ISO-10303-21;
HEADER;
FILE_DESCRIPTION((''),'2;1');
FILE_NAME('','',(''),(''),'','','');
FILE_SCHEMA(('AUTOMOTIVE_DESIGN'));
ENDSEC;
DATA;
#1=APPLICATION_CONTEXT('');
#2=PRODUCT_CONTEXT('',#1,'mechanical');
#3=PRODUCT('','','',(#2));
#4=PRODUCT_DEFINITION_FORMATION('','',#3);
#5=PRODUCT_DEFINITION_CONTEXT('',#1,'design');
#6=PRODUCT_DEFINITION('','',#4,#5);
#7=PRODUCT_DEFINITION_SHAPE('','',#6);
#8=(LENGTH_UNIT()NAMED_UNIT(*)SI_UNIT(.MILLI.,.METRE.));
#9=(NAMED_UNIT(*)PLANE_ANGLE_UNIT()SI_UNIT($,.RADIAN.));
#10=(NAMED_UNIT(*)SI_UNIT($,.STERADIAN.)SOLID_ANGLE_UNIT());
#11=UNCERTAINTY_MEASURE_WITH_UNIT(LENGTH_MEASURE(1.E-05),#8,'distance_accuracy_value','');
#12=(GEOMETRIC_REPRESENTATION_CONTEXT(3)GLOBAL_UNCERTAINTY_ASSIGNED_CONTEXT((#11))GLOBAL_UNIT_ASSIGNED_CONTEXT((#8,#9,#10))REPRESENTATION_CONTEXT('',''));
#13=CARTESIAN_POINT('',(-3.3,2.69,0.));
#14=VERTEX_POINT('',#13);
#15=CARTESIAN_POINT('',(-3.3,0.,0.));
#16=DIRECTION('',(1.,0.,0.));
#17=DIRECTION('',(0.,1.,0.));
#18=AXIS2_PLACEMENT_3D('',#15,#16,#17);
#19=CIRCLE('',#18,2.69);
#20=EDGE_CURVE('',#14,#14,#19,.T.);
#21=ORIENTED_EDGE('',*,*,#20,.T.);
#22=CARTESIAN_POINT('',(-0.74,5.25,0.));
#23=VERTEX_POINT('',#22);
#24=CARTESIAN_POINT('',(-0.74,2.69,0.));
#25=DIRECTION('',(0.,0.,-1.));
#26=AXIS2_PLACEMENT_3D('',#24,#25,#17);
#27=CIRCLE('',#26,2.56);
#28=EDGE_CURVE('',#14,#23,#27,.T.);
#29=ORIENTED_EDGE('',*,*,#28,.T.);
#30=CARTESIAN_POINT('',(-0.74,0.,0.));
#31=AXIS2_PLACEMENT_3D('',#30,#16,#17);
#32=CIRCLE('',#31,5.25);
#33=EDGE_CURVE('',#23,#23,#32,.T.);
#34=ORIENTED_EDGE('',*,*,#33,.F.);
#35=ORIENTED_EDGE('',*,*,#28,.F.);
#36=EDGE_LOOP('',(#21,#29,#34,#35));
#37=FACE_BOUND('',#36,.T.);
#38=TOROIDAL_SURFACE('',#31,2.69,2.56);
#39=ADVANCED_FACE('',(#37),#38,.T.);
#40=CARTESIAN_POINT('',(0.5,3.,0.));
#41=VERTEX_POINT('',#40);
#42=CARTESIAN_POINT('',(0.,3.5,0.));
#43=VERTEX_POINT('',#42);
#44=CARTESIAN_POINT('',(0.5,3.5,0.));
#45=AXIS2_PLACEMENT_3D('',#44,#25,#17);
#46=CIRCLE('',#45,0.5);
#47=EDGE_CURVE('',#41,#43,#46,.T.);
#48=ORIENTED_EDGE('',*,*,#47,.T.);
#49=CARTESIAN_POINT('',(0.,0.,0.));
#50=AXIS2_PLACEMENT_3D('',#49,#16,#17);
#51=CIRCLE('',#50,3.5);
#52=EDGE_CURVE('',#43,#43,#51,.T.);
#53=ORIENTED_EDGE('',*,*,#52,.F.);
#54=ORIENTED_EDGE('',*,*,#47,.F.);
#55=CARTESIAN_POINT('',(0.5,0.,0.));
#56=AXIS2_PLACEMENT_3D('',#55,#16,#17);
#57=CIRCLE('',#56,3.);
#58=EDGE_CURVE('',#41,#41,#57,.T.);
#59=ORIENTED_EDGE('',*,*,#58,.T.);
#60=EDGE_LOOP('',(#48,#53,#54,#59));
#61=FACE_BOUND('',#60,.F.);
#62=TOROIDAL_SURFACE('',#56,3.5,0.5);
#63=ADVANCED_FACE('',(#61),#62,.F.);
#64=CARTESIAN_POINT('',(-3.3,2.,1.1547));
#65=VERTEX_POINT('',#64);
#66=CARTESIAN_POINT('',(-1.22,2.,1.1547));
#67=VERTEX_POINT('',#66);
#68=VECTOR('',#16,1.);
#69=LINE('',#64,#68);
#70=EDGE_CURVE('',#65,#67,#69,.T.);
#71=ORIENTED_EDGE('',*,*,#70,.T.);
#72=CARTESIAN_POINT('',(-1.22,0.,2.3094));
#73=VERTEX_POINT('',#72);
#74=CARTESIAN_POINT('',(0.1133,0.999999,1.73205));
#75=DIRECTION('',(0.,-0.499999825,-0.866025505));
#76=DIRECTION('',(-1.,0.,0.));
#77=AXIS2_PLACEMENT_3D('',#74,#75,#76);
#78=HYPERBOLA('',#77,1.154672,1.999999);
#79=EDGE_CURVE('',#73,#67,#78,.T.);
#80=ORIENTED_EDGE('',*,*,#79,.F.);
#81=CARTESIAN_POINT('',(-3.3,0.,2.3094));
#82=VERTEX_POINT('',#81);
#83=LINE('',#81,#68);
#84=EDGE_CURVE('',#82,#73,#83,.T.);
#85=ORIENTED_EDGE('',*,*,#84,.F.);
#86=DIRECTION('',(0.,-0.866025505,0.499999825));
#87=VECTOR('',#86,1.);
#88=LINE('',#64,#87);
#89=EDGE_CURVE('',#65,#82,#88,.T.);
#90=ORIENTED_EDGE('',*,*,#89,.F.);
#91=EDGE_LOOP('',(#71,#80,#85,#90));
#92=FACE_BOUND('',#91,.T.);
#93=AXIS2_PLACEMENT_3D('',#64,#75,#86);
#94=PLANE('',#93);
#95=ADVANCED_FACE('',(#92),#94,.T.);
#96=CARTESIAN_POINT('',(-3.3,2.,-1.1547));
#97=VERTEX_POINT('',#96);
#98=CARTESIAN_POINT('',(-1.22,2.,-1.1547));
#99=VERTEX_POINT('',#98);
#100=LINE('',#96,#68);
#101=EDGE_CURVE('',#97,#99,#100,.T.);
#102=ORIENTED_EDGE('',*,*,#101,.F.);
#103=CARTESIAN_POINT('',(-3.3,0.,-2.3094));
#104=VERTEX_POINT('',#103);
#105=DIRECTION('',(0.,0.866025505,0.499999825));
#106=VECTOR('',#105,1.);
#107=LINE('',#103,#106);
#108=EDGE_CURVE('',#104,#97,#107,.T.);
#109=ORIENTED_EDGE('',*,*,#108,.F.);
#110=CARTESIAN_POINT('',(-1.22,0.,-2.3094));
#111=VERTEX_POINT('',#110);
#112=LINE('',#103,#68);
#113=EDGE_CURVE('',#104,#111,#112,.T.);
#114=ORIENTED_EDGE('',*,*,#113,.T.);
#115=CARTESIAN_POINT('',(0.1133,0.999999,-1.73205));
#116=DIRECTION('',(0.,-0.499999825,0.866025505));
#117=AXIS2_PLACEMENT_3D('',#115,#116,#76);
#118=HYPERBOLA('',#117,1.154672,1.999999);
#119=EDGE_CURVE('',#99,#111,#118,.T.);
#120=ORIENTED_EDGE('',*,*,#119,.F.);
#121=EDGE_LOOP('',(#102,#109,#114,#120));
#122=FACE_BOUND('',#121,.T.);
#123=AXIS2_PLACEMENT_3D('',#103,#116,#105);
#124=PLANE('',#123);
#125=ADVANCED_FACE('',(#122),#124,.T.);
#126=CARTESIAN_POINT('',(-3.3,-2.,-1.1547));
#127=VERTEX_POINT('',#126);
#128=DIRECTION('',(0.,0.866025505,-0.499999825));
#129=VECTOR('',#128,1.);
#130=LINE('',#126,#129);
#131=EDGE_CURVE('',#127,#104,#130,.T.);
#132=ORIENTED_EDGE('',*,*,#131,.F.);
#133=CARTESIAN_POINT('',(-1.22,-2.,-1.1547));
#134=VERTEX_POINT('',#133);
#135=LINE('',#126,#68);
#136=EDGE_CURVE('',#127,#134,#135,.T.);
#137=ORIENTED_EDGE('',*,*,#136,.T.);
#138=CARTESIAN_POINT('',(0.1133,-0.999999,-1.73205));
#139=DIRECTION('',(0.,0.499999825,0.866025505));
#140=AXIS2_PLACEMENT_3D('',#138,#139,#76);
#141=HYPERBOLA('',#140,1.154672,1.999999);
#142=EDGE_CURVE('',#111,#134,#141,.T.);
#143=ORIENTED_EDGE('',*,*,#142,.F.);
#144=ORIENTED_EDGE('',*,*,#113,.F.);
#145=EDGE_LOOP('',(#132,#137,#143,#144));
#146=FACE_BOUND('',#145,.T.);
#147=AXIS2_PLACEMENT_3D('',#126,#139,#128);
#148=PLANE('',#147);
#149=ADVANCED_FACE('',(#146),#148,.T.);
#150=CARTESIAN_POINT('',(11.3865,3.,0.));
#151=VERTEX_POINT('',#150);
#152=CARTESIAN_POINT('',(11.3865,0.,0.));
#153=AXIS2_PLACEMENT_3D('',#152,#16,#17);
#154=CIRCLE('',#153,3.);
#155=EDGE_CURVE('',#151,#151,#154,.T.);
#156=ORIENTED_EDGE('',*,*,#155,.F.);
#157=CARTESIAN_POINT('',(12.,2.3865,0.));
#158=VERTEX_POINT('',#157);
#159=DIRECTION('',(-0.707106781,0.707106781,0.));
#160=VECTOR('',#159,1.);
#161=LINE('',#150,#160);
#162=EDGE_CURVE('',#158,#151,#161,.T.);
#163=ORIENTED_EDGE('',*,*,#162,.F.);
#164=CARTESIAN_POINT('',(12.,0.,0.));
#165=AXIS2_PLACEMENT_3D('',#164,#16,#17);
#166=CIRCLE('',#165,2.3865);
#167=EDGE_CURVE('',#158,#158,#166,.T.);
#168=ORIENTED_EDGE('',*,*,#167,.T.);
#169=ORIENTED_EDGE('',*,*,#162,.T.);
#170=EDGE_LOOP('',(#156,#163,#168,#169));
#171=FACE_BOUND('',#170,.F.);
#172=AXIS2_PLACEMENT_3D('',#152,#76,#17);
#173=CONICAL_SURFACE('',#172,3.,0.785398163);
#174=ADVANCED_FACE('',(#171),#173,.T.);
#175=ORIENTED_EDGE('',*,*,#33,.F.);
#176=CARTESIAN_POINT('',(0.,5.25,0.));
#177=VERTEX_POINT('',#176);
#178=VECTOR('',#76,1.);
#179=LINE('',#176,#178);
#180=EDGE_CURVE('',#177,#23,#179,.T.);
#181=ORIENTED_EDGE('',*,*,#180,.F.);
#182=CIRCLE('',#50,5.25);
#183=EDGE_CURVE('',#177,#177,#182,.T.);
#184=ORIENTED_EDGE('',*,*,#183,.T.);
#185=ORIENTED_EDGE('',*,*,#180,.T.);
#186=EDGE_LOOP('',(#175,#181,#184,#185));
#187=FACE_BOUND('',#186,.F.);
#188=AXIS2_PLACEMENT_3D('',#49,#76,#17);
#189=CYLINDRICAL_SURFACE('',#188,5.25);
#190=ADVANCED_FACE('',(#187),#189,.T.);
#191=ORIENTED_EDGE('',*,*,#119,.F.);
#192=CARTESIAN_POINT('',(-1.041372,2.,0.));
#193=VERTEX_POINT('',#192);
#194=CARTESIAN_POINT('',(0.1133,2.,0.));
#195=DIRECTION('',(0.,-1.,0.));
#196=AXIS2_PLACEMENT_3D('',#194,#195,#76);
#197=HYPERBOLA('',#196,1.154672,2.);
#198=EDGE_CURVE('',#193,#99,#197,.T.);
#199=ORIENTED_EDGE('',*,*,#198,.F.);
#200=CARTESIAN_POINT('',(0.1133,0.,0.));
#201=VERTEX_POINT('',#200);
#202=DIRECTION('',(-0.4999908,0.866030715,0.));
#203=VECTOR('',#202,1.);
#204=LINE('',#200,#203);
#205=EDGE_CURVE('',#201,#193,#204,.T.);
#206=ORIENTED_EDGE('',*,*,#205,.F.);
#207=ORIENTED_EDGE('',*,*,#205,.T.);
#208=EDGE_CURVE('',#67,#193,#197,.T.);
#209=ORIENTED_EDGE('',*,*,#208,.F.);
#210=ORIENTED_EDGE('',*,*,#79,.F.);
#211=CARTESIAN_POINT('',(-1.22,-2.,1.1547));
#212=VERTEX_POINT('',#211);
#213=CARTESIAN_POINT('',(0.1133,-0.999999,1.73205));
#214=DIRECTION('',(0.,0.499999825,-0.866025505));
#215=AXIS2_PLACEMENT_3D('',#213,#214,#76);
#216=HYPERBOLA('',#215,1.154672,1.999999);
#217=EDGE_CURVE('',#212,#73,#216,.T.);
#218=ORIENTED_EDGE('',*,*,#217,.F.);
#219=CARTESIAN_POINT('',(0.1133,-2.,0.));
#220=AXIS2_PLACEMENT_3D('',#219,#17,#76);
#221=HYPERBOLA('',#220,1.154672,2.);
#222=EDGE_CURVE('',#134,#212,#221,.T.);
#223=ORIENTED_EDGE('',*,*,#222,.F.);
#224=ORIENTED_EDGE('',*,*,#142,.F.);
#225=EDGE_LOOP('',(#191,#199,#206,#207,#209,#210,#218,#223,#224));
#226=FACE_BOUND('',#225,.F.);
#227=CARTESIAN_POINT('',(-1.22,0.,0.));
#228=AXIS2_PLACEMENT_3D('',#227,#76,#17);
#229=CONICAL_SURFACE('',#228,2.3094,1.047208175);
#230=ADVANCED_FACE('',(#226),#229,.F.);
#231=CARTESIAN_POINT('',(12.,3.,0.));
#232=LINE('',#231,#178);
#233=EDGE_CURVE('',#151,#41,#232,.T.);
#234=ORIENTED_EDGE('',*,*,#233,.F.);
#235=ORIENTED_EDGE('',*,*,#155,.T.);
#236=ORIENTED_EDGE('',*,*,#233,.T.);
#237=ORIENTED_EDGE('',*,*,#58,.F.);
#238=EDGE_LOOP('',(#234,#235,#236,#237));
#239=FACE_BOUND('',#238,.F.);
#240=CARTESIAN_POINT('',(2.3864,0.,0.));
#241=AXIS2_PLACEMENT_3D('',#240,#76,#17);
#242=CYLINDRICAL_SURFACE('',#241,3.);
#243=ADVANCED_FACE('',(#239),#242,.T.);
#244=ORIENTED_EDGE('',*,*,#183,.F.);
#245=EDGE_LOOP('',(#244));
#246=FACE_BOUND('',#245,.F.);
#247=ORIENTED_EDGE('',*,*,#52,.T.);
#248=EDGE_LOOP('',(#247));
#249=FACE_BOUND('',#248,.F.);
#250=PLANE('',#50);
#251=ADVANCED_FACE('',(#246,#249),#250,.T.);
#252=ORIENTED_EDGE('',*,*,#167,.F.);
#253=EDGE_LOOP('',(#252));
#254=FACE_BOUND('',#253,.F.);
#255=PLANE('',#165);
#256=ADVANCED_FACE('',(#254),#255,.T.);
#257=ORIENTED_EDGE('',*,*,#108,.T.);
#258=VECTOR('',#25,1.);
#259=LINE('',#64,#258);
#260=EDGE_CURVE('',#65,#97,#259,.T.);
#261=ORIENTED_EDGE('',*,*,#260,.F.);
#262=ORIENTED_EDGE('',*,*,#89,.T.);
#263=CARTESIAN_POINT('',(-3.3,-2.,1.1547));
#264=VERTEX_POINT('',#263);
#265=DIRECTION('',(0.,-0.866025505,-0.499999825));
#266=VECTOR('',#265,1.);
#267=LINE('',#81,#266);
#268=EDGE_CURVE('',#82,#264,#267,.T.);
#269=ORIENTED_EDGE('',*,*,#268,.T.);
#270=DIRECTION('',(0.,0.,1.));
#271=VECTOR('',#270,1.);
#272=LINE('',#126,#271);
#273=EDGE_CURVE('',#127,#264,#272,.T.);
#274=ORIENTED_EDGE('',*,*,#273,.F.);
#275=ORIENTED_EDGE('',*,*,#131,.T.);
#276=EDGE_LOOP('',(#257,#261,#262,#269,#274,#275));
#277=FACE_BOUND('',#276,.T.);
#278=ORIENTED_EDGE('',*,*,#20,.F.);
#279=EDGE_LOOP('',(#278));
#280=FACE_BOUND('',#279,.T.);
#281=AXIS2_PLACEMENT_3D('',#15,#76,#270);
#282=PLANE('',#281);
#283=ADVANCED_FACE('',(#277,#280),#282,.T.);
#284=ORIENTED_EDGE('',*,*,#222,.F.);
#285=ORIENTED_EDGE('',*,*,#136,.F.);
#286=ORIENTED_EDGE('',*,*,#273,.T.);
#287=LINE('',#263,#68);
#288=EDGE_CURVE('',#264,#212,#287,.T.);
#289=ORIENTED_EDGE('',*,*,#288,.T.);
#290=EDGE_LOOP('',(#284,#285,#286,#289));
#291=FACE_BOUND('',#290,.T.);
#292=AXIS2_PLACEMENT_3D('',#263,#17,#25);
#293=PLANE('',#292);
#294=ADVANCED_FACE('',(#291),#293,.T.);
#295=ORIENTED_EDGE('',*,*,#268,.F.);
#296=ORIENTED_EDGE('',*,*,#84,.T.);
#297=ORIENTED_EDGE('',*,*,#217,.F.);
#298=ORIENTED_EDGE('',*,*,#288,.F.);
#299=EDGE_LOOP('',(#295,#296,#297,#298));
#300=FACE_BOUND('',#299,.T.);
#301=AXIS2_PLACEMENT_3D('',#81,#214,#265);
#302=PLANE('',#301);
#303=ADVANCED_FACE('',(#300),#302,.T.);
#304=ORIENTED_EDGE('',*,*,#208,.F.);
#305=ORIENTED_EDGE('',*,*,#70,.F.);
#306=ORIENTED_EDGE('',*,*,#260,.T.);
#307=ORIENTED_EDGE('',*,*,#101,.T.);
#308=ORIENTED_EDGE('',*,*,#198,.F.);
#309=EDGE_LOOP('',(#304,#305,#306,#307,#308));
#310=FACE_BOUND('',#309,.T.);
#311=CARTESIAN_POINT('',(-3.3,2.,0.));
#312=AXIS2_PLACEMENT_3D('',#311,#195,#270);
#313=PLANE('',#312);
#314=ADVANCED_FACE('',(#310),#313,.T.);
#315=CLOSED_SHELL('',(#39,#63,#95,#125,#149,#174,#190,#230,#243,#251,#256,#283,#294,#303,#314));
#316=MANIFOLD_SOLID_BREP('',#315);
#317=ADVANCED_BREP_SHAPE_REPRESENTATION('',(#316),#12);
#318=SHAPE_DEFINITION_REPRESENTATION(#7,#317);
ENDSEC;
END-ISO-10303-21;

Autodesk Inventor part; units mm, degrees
ref_plane "YZ Plane" through (0, 0, 0) normal (1, 0, 0) x (0, 1, 0)
ref_plane "XZ Plane" through (0, 0, 0) normal (0, 1, 0) x (-1, 0, 0)
sketch "Sketch1" plane through (0, 0, 0) normal (0, 0, 1) x (1, 0, 0)
  line L0 (0.1133, 0) -> (12, 0)
  line L1 (12, 0) -> (12, 3)
  line L2 (12, 3) -> (3, 3)
  line L3 (3, 3) -> (2.3864, 3)
  line L4 (2.3864, 3) -> (0, 3)
  line L5 (0, 3) -> (0, 5.25)
  line L6 (0, 5.25) -> (-3.3, 5.25)
  line L7 (-3.3, 5.25) -> (-3.3, 2.3094)
  line L8 (-3.3, 2.3094) -> (-1.22, 2.3094)
  line L9 (-1.22, 2.3094) -> (0.1133, 0)
  line L10 (-6.36, 0) -> (15.06, 0) projected
  line L11 (0, -1.05) -> (0, 6.3) projected
  line L12 (3, 3) -> (0, 3) construction
  dimension "d1" = 9
  dimension "d2" = 0.6136
  dimension "d3" = 3.3
  dimension "d4" = 2.08
  dimension "d5" = 60
  dimension "d6" = 6
  dimension "d7" = 6
  dimension "d8" = 4.6188
  dimension "d9" = 10.5
  dimension "d26" = 12
revolve "Body" add sketch "Sketch1" angle 360 about axis through (0.1133, 0, 0) along (1, 0, 0) contours L9 L11 L4 L3 L2 L1 L0 | L9 L8 L7 L6 L5 L11
sketch "Sketch2" plane through (-3.3, 0, 0) normal (-1, 0, 0) x (0, 0, 1)
  circle A0 centre (0, 0) radius 2.3094 projected
  line L0 (0, -7.35) -> (0, 7.35) projected
  line L1 (-7.35, 0) -> (7.35, 0) projected
  line L2 (2.3094, 0) -> (1.1547, -2)
  line L3 (1.1547, -2) -> (-1.1547, -2)
  line L4 (-1.1547, -2) -> (-2.3094, 0)
  line L5 (-2.3094, 0) -> (-1.1547, 2)
  line L6 (-1.1547, 2) -> (1.1547, 2)
  line L7 (1.1547, 2) -> (2.3094, 0)
extrude "Slot" add sketch "Sketch2" against normal up to next contours L7 A0 | A0 L2 | L6 L0 A0 | A0 L0 L3 | L0 L6 A0 | A0 L3 L0 | L4 A0 | A0 L5
fillet "Fillet1" radius 2.56 1 edges at (-3.3, -5.25, 0)
thread "Thread" size "M6x1" class "6g" standard "ISO Metric profile" length 9
chamfer "Chamfer1" distance 0.6135 distance2 0.6135 1 edges at (12, -3, 0) measured on face at (12, 0.705, 0.3049)
ref_plane "Work Plane1" through (29, 0, 0) normal (0, -1, 0) x (1, 0, 0)
fillet "Fillet2" radius 0.5 1 edges at (0, -3, 0)
equation "\"d1\" = GEL"
equation "\"d3\" = KOH"
equation "\"d4\" = INTI"
equation "\"d6\" = GD"
equation "\"d7\" = BDM"
equation "\"d8\" = 1.1547 * SW"
equation "\"d9\" = KOD"
equation "\"d26\" = NLG"
equation "\"d30\" = R"
equation "\"d17\" = RR"
equation "\"d13\" = GEL"
equation "\"d15\" = -0.5 * SPD + 0.5 * GD"
equation "\"d16\" = GUL"
equation "\"GD\" = NND"
equation "\"NLG\" = 12"
equation "\"GEL\" = 9"
equation "\"KOD\" = 10.5"
equation "\"KOH\" = 3.3"
equation "\"INTI\" = 2.08"
equation "\"GAL\" = 0.61345 * PTC"
equation "\"GUL\" = 0.61345 * PTC"
equation "\"BDM\" = NND"
equation "\"SW\" = 4"
equation "\"RR\" = 2.56"
equation "\"SPD\" = NND - 1.2269 * PTC"
equation "\"R\" = 0.5"
equation "\"TOA\" = 30deg"
equation "\"GD1\" = THREADDIA - 1.2269 * PTC"
equation "\"THREADDIA\" = 6"
equation "\"PTC\" = 1"
equation "\"NND\" = 6"
equation "\"KOH1\" = 0.74"
equation "\"E0\" = 4.583"
properties part number "ISO 7380-1 - M6 x 12" material "Stainless Steel"
